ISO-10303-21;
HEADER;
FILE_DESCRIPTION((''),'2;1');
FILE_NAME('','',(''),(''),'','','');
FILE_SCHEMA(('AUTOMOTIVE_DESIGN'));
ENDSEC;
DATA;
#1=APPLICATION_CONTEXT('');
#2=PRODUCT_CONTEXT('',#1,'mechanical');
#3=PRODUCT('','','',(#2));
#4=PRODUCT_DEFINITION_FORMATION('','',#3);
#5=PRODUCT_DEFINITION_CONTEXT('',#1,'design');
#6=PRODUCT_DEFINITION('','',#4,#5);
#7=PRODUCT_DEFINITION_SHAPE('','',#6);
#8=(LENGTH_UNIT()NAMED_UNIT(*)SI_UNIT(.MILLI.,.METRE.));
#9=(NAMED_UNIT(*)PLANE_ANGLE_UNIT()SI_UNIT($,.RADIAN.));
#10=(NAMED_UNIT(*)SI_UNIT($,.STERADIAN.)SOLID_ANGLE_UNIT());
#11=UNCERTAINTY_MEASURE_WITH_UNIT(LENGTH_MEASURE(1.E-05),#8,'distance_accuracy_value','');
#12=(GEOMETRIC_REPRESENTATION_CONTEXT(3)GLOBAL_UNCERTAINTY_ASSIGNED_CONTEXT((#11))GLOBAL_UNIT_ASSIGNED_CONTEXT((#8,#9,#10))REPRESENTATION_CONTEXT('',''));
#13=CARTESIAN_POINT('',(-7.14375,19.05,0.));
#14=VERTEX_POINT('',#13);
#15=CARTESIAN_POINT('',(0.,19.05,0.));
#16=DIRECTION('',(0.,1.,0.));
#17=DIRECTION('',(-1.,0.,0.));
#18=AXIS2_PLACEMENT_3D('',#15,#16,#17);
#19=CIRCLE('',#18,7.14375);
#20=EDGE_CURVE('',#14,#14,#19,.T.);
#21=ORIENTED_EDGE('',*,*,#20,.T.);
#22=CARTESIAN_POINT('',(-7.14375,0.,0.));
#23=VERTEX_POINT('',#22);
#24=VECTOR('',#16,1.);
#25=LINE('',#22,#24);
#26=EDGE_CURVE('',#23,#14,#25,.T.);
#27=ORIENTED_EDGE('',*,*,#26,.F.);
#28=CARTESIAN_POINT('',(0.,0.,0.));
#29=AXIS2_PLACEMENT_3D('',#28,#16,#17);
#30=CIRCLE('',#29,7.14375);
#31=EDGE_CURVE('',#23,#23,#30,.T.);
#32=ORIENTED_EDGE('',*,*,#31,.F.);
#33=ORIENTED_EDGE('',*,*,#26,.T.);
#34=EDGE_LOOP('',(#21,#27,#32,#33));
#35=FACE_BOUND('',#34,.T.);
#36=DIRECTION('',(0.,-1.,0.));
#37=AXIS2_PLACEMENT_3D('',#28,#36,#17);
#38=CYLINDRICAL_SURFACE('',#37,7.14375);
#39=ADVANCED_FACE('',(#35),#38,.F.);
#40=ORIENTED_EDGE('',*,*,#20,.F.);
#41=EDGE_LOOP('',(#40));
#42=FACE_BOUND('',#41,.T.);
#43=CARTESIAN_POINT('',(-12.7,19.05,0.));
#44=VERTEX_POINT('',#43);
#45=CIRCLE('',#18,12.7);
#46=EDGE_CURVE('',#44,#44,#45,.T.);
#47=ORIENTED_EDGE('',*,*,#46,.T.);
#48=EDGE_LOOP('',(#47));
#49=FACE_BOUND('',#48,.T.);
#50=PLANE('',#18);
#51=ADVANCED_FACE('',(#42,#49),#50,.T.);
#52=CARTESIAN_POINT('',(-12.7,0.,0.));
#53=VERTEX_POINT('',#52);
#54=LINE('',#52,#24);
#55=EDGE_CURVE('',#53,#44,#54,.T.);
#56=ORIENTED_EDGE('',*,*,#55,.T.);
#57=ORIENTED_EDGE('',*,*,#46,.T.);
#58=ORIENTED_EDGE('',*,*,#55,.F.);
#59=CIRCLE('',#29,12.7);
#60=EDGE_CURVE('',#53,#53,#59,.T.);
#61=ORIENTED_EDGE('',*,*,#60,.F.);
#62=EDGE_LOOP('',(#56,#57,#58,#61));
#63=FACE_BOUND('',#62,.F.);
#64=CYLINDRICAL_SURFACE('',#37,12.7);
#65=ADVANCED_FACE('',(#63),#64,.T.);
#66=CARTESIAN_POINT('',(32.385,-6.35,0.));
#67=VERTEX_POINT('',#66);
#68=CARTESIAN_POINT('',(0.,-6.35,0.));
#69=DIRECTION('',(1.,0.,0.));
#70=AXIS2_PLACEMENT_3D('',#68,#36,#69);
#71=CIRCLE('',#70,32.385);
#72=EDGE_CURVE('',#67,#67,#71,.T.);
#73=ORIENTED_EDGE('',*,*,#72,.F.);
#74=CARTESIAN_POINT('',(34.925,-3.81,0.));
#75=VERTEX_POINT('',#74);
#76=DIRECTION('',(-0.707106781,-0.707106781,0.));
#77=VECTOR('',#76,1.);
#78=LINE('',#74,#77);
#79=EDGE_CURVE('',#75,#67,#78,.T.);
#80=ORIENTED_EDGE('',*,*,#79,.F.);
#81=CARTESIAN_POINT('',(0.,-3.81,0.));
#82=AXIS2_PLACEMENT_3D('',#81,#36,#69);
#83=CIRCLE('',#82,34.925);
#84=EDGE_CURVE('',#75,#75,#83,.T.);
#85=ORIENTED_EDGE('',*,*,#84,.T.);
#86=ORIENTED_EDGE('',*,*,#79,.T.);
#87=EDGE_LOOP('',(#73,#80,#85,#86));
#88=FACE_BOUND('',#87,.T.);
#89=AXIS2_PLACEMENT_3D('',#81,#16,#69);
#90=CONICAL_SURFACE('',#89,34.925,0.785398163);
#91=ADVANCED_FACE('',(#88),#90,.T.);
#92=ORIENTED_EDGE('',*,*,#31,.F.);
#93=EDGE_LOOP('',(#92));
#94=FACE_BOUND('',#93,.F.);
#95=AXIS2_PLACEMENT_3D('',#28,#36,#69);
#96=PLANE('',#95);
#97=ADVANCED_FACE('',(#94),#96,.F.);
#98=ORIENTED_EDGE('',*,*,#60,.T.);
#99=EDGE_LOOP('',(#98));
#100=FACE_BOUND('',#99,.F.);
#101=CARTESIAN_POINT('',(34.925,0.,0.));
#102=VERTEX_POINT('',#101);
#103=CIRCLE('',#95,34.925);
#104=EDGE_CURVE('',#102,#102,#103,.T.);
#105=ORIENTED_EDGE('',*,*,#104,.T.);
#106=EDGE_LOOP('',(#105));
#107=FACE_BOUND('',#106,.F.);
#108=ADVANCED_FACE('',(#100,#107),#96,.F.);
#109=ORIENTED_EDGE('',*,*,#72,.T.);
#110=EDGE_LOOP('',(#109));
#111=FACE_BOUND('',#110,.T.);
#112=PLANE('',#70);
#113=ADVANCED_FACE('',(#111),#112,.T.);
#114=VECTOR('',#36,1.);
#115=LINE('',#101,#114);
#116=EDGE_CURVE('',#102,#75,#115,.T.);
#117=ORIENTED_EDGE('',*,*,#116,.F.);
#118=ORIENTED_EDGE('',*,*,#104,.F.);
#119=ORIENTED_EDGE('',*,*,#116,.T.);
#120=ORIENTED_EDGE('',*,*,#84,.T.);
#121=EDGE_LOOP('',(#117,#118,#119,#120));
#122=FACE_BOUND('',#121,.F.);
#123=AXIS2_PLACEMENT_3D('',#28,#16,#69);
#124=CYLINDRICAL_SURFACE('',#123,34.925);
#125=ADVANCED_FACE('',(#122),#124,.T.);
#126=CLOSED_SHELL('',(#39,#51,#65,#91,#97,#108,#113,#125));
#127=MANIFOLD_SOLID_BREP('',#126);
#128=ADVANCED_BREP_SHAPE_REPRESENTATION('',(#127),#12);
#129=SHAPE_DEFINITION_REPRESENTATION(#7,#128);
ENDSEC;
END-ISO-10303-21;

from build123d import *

# Parameters (mm, degrees)
F0_R     = 34.925
F1_DEPTH = 6.35
F2_SIZE  = 2.54
F3_R     = 12.7
F3_R_2   = 7.14375
F4_DEPTH = 19.05


with BuildPart() as f1:
    # F0 (on Front) → F1 (new body)
    with BuildSketch(Plane.XZ):
        Circle(F0_R)
    extrude(amount=F1_DEPTH)

    # F2
    f2_edges = [f1.edges().sort_by_distance(p)[0] for p in [
        (-34.925, -6.35, 0),
    ]]
    chamfer(f2_edges, length=F2_SIZE)

    # F3 (on face) → F4 (join)
    with BuildSketch(Plane(origin=(0, 0, 0), x_dir=(-1, 0, 0), z_dir=(0, 1, 0))):
        Circle(F3_R)
        Circle(F3_R_2, mode=Mode.SUBTRACT)
    extrude(amount=F4_DEPTH)


solid = f1.part
